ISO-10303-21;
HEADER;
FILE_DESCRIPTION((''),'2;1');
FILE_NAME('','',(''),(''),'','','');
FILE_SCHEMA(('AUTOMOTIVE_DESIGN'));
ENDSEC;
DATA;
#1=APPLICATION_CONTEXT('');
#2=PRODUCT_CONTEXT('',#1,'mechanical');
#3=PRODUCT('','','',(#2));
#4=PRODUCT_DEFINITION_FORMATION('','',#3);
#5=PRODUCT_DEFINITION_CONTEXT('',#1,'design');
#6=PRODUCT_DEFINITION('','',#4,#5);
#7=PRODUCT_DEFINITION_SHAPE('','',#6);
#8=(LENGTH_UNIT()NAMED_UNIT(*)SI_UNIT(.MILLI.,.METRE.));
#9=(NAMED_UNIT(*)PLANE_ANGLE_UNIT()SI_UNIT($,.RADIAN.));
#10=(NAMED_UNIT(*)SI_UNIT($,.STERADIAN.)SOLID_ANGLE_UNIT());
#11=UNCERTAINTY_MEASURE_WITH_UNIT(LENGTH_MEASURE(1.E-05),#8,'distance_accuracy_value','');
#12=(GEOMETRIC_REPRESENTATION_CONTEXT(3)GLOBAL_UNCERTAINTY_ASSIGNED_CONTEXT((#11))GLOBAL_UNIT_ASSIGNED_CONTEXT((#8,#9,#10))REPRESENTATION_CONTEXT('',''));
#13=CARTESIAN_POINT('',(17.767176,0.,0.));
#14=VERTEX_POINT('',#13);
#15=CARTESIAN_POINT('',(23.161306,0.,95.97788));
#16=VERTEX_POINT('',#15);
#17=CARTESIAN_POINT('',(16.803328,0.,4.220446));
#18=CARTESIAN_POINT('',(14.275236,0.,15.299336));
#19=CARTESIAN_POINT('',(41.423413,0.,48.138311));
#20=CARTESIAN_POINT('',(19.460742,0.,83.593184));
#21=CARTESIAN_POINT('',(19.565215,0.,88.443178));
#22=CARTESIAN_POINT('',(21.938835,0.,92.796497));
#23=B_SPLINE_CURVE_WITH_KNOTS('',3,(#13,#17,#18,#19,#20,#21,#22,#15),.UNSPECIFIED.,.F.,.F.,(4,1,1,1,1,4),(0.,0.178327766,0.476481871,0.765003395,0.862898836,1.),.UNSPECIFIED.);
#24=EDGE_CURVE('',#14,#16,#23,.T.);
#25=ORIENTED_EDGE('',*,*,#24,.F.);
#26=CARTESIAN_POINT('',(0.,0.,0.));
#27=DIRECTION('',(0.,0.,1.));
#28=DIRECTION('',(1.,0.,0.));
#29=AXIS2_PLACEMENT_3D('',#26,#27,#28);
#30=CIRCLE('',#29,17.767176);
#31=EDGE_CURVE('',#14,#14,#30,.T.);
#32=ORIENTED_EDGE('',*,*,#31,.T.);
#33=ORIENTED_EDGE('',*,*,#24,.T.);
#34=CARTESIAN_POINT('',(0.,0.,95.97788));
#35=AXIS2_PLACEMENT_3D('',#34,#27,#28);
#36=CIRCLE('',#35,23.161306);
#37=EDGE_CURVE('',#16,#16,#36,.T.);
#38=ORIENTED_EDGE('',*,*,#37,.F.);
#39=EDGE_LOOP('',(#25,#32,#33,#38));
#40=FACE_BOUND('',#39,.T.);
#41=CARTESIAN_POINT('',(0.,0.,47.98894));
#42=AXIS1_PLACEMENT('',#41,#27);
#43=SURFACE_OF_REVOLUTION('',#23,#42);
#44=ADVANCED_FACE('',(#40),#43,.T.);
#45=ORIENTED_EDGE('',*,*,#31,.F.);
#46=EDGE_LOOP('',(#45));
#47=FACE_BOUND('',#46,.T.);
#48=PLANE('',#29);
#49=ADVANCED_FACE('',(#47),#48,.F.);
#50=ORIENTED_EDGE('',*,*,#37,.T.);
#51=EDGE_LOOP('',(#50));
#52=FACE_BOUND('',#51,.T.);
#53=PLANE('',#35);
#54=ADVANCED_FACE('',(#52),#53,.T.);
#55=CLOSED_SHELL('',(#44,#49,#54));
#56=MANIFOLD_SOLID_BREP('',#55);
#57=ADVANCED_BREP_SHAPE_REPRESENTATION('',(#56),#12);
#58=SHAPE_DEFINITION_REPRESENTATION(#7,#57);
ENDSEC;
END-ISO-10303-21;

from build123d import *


with BuildPart() as f1:
    # F0 (on Front) → F1 (revolve)
    with BuildSketch(Plane.XZ):
        with BuildLine():
            Line((0, 0), (17.7671760321, 0))
            add(Edge.make_bspline(
                [(17.7671760321, 0), (16.8033275718, 4.220446167), (14.2752355408, 15.2993361505), (41.4234128976, 48.1383113807), (19.4607418738, 83.5931843553), (19.5652148049, 88.4431781106), (21.9388350181, 92.7964973413), (23.1613063604, 95.9778800607)],
                knots=[0, 0, 0, 0, 0.1783277664, 0.4764818705, 0.7650033949, 0.8628988365, 1, 1, 1, 1], degree=3))
            Line((23.1613063604, 95.9778800607), (0, 95.9778800607))
            Line((0, 95.9778800607), (0, 0))
        make_face()
    revolve(axis=Axis((0, 0, 47.9889400303), (0, 0, 1)))


solid = f1.part
